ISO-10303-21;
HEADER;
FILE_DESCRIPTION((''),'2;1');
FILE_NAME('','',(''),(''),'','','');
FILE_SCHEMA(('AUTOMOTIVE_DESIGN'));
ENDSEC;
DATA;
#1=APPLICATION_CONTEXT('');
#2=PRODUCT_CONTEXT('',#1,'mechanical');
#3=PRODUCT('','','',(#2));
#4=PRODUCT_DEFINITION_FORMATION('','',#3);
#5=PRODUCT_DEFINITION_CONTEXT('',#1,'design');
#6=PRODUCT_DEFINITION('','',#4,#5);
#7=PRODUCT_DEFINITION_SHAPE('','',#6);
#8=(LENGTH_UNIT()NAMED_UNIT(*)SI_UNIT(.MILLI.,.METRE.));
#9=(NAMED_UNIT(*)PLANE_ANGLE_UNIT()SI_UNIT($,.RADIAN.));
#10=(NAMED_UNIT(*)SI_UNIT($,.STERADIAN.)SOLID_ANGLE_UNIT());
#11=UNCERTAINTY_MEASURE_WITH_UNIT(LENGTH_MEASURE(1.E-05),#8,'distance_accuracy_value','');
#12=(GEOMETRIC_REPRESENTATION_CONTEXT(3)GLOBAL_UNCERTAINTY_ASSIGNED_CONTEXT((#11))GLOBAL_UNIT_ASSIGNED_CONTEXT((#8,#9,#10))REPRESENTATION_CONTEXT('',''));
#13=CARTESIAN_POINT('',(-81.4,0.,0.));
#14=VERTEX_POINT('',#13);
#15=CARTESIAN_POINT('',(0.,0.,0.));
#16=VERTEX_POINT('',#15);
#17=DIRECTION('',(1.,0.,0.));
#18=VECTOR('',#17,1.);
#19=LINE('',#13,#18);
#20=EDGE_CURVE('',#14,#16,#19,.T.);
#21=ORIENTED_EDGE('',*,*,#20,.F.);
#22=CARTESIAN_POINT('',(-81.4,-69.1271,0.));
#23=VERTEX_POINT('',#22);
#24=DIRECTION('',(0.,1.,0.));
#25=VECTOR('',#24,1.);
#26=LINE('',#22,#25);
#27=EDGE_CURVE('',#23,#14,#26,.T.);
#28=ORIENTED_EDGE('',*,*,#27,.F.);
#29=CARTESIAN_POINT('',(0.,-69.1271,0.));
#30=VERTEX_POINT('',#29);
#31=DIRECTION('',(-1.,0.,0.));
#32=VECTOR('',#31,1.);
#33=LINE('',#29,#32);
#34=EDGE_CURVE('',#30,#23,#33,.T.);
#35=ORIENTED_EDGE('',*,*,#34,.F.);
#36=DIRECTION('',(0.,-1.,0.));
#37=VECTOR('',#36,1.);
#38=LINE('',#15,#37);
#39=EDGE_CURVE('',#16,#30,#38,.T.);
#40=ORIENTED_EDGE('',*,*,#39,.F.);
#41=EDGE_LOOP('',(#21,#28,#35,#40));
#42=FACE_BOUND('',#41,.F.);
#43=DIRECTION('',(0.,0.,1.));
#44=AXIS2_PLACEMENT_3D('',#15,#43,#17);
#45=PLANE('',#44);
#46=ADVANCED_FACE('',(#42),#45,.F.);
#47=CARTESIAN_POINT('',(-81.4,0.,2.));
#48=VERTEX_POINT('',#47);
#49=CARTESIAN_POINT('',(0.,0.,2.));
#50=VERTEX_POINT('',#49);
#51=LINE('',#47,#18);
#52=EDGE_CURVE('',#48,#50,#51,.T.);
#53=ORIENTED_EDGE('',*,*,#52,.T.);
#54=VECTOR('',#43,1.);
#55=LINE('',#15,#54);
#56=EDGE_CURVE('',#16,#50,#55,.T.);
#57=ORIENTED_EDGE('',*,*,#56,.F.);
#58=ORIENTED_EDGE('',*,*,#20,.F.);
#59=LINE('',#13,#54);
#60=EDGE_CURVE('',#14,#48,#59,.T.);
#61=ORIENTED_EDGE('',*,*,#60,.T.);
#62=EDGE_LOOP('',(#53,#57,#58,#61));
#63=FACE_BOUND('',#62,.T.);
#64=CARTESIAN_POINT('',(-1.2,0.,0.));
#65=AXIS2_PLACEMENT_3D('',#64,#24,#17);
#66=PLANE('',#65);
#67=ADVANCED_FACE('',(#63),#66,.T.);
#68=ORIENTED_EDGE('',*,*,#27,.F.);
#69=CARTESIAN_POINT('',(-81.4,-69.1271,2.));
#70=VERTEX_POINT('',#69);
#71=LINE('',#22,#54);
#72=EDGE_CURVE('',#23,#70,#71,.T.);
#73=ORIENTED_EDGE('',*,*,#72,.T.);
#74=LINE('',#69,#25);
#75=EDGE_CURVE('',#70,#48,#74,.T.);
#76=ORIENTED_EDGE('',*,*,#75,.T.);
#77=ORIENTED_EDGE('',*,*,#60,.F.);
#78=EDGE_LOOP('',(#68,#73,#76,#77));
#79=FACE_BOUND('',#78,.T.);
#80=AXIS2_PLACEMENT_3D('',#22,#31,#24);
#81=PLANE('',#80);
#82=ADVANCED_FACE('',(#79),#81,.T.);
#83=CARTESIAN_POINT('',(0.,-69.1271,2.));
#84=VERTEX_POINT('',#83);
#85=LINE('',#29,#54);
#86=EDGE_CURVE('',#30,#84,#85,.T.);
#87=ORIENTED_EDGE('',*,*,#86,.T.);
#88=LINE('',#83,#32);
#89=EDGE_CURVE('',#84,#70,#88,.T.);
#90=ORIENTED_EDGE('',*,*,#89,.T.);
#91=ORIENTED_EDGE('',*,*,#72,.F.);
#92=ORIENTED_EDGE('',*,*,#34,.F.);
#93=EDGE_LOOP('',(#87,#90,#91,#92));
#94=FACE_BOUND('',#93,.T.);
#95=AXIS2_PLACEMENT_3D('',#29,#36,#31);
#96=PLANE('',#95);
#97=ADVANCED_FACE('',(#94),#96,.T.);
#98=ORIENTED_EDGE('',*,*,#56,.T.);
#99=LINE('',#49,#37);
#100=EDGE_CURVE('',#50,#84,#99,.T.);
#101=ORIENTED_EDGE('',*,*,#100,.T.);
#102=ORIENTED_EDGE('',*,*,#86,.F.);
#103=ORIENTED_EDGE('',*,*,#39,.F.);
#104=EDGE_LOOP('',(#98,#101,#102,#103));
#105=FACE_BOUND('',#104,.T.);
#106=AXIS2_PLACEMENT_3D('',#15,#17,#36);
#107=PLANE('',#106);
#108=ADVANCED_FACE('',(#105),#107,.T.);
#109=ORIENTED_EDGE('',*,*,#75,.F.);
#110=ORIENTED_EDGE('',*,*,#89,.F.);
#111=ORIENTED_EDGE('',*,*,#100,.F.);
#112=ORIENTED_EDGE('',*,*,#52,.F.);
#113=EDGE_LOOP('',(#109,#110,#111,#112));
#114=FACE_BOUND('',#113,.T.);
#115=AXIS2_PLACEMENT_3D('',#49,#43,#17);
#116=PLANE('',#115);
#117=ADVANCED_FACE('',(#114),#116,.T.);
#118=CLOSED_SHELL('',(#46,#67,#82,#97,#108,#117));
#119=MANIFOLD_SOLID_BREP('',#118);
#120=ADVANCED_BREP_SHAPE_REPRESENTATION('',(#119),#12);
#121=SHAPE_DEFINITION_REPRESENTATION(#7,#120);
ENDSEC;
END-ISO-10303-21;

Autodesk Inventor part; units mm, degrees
ref_plane "YZ Plane" through (0, 0, 0) normal (1, 0, 0) x (0, 1, 0)
ref_plane "XZ Plane" through (0, 0, 0) normal (0, 1, 0) x (-1, 0, 0)
ref_plane "XY Plane" through (0, 0, 0) normal (0, 0, 1) x (1, 0, 0)
sketch "Skizze1" plane through (0, 0, 0) normal (0, 0, 1) x (1, 0, 0)
  ellipse E0 centre (-15.2, -12.5548) end of major axis (-12.7, -12.5548) minor radius 2.4737 projected
  ellipse E1 centre (-15.2, -28.3865) end of major axis (-12.7, -28.3865) minor radius 2.4737 projected
  ellipse E2 centre (-15.2, -20.4707) end of major axis (-12.7, -20.4707) minor radius 2.4737 projected
  line L0 (-80.2, -65.9868) -> (-1.2, -65.9868) projected
  line L1 (-1.2, -65.9868) -> (-1.2, 6.2453) projected
  line L2 (-80.2, 6.2453) -> (-80.2, -65.9868) projected
  ellipse E3 centre (-15.2, -53.1236) end of major axis (-18.7, -53.1236) minor radius 3.4632 projected
  ellipse E4 centre (-33.6, -57.5762) end of major axis (-37.6, -57.5762) minor radius 3.9579 (-33.6, -61.5342) -> (-29.6, -57.5762) ccw projected
  line L3 (-33.6, -61.5342) -> (-71.8, -61.5342) projected
  ellipse E5 centre (-71.8, -57.5762) end of major axis (-67.8, -57.5762) minor radius 3.9579 (-75.8, -57.5762) -> (-71.8, -61.5342) ccw projected
  line L4 (-75.8, -57.5762) -> (-75.8, -9.0917) projected
  ellipse E6 centre (-71.8, -9.0917) end of major axis (-67.8, -9.0917) minor radius 3.9579 (-71.8, -5.1337) -> (-75.8, -9.0917) ccw projected
  line L5 (-71.8, -5.1337) -> (-33.6, -5.1337) projected
  ellipse E7 centre (-33.6, -9.0917) end of major axis (-37.6, -9.0917) minor radius 3.9579 (-29.6, -9.0917) -> (-33.6, -5.1337) ccw projected
  line L6 (-29.6, -9.0917) -> (-29.6, -57.5762) projected
  line L7 (0, 0) -> (0, -69.1271) projected
  line L8 (0, -69.1271) -> (-81.4, -69.1271) projected
  line L9 (-81.4, -69.1271) -> (-81.4, 0) projected
  line L10 (-81.4, 0) -> (0, 0) projected
  line L11 (-80.2, -67.9144) -> (-1.2, -67.9144) projected
  line L12 (-1.2, -67.9144) -> (-1.2, -1.2128) projected
  line L13 (-80.2, -1.2128) -> (-80.2, -67.9144) projected
  line L14 (-1.2, -67.9144) -> (-1.2, -1.2128) projected
  line L15 (-80.2, -67.9144) -> (-1.2, -67.9144) projected
  line L16 (-80.2, -1.2128) -> (-80.2, -67.9144) projected
  line L17 (-1.2, -1.2128) -> (-80.2, -1.2128) projected
  line L18 (-81.4, -69.1271) -> (-81.4, 0) projected
  line L19 (0, -69.1271) -> (-81.4, -69.1271) projected
  line L20 (0, 0) -> (0, -69.1271) projected
  line L21 (-81.4, 0) -> (0, 0) projected
  line L22 (-1.2, 6.2453) -> (-80.2, 6.2453) projected
extrude "Extrusion1" add sketch "Skizze1" along normal blind 2 contours E0 | E1 | E2 | L2 L17 L1 L0 | L13 L11 L12 L1 L10 L7 L8 L9 L2 | L0 L12 L11 L13 | L2 L10 L1 L17 | E3 | L3 E5 L4 E6 L5 E7 L6 E4
properties part number "Boden"
